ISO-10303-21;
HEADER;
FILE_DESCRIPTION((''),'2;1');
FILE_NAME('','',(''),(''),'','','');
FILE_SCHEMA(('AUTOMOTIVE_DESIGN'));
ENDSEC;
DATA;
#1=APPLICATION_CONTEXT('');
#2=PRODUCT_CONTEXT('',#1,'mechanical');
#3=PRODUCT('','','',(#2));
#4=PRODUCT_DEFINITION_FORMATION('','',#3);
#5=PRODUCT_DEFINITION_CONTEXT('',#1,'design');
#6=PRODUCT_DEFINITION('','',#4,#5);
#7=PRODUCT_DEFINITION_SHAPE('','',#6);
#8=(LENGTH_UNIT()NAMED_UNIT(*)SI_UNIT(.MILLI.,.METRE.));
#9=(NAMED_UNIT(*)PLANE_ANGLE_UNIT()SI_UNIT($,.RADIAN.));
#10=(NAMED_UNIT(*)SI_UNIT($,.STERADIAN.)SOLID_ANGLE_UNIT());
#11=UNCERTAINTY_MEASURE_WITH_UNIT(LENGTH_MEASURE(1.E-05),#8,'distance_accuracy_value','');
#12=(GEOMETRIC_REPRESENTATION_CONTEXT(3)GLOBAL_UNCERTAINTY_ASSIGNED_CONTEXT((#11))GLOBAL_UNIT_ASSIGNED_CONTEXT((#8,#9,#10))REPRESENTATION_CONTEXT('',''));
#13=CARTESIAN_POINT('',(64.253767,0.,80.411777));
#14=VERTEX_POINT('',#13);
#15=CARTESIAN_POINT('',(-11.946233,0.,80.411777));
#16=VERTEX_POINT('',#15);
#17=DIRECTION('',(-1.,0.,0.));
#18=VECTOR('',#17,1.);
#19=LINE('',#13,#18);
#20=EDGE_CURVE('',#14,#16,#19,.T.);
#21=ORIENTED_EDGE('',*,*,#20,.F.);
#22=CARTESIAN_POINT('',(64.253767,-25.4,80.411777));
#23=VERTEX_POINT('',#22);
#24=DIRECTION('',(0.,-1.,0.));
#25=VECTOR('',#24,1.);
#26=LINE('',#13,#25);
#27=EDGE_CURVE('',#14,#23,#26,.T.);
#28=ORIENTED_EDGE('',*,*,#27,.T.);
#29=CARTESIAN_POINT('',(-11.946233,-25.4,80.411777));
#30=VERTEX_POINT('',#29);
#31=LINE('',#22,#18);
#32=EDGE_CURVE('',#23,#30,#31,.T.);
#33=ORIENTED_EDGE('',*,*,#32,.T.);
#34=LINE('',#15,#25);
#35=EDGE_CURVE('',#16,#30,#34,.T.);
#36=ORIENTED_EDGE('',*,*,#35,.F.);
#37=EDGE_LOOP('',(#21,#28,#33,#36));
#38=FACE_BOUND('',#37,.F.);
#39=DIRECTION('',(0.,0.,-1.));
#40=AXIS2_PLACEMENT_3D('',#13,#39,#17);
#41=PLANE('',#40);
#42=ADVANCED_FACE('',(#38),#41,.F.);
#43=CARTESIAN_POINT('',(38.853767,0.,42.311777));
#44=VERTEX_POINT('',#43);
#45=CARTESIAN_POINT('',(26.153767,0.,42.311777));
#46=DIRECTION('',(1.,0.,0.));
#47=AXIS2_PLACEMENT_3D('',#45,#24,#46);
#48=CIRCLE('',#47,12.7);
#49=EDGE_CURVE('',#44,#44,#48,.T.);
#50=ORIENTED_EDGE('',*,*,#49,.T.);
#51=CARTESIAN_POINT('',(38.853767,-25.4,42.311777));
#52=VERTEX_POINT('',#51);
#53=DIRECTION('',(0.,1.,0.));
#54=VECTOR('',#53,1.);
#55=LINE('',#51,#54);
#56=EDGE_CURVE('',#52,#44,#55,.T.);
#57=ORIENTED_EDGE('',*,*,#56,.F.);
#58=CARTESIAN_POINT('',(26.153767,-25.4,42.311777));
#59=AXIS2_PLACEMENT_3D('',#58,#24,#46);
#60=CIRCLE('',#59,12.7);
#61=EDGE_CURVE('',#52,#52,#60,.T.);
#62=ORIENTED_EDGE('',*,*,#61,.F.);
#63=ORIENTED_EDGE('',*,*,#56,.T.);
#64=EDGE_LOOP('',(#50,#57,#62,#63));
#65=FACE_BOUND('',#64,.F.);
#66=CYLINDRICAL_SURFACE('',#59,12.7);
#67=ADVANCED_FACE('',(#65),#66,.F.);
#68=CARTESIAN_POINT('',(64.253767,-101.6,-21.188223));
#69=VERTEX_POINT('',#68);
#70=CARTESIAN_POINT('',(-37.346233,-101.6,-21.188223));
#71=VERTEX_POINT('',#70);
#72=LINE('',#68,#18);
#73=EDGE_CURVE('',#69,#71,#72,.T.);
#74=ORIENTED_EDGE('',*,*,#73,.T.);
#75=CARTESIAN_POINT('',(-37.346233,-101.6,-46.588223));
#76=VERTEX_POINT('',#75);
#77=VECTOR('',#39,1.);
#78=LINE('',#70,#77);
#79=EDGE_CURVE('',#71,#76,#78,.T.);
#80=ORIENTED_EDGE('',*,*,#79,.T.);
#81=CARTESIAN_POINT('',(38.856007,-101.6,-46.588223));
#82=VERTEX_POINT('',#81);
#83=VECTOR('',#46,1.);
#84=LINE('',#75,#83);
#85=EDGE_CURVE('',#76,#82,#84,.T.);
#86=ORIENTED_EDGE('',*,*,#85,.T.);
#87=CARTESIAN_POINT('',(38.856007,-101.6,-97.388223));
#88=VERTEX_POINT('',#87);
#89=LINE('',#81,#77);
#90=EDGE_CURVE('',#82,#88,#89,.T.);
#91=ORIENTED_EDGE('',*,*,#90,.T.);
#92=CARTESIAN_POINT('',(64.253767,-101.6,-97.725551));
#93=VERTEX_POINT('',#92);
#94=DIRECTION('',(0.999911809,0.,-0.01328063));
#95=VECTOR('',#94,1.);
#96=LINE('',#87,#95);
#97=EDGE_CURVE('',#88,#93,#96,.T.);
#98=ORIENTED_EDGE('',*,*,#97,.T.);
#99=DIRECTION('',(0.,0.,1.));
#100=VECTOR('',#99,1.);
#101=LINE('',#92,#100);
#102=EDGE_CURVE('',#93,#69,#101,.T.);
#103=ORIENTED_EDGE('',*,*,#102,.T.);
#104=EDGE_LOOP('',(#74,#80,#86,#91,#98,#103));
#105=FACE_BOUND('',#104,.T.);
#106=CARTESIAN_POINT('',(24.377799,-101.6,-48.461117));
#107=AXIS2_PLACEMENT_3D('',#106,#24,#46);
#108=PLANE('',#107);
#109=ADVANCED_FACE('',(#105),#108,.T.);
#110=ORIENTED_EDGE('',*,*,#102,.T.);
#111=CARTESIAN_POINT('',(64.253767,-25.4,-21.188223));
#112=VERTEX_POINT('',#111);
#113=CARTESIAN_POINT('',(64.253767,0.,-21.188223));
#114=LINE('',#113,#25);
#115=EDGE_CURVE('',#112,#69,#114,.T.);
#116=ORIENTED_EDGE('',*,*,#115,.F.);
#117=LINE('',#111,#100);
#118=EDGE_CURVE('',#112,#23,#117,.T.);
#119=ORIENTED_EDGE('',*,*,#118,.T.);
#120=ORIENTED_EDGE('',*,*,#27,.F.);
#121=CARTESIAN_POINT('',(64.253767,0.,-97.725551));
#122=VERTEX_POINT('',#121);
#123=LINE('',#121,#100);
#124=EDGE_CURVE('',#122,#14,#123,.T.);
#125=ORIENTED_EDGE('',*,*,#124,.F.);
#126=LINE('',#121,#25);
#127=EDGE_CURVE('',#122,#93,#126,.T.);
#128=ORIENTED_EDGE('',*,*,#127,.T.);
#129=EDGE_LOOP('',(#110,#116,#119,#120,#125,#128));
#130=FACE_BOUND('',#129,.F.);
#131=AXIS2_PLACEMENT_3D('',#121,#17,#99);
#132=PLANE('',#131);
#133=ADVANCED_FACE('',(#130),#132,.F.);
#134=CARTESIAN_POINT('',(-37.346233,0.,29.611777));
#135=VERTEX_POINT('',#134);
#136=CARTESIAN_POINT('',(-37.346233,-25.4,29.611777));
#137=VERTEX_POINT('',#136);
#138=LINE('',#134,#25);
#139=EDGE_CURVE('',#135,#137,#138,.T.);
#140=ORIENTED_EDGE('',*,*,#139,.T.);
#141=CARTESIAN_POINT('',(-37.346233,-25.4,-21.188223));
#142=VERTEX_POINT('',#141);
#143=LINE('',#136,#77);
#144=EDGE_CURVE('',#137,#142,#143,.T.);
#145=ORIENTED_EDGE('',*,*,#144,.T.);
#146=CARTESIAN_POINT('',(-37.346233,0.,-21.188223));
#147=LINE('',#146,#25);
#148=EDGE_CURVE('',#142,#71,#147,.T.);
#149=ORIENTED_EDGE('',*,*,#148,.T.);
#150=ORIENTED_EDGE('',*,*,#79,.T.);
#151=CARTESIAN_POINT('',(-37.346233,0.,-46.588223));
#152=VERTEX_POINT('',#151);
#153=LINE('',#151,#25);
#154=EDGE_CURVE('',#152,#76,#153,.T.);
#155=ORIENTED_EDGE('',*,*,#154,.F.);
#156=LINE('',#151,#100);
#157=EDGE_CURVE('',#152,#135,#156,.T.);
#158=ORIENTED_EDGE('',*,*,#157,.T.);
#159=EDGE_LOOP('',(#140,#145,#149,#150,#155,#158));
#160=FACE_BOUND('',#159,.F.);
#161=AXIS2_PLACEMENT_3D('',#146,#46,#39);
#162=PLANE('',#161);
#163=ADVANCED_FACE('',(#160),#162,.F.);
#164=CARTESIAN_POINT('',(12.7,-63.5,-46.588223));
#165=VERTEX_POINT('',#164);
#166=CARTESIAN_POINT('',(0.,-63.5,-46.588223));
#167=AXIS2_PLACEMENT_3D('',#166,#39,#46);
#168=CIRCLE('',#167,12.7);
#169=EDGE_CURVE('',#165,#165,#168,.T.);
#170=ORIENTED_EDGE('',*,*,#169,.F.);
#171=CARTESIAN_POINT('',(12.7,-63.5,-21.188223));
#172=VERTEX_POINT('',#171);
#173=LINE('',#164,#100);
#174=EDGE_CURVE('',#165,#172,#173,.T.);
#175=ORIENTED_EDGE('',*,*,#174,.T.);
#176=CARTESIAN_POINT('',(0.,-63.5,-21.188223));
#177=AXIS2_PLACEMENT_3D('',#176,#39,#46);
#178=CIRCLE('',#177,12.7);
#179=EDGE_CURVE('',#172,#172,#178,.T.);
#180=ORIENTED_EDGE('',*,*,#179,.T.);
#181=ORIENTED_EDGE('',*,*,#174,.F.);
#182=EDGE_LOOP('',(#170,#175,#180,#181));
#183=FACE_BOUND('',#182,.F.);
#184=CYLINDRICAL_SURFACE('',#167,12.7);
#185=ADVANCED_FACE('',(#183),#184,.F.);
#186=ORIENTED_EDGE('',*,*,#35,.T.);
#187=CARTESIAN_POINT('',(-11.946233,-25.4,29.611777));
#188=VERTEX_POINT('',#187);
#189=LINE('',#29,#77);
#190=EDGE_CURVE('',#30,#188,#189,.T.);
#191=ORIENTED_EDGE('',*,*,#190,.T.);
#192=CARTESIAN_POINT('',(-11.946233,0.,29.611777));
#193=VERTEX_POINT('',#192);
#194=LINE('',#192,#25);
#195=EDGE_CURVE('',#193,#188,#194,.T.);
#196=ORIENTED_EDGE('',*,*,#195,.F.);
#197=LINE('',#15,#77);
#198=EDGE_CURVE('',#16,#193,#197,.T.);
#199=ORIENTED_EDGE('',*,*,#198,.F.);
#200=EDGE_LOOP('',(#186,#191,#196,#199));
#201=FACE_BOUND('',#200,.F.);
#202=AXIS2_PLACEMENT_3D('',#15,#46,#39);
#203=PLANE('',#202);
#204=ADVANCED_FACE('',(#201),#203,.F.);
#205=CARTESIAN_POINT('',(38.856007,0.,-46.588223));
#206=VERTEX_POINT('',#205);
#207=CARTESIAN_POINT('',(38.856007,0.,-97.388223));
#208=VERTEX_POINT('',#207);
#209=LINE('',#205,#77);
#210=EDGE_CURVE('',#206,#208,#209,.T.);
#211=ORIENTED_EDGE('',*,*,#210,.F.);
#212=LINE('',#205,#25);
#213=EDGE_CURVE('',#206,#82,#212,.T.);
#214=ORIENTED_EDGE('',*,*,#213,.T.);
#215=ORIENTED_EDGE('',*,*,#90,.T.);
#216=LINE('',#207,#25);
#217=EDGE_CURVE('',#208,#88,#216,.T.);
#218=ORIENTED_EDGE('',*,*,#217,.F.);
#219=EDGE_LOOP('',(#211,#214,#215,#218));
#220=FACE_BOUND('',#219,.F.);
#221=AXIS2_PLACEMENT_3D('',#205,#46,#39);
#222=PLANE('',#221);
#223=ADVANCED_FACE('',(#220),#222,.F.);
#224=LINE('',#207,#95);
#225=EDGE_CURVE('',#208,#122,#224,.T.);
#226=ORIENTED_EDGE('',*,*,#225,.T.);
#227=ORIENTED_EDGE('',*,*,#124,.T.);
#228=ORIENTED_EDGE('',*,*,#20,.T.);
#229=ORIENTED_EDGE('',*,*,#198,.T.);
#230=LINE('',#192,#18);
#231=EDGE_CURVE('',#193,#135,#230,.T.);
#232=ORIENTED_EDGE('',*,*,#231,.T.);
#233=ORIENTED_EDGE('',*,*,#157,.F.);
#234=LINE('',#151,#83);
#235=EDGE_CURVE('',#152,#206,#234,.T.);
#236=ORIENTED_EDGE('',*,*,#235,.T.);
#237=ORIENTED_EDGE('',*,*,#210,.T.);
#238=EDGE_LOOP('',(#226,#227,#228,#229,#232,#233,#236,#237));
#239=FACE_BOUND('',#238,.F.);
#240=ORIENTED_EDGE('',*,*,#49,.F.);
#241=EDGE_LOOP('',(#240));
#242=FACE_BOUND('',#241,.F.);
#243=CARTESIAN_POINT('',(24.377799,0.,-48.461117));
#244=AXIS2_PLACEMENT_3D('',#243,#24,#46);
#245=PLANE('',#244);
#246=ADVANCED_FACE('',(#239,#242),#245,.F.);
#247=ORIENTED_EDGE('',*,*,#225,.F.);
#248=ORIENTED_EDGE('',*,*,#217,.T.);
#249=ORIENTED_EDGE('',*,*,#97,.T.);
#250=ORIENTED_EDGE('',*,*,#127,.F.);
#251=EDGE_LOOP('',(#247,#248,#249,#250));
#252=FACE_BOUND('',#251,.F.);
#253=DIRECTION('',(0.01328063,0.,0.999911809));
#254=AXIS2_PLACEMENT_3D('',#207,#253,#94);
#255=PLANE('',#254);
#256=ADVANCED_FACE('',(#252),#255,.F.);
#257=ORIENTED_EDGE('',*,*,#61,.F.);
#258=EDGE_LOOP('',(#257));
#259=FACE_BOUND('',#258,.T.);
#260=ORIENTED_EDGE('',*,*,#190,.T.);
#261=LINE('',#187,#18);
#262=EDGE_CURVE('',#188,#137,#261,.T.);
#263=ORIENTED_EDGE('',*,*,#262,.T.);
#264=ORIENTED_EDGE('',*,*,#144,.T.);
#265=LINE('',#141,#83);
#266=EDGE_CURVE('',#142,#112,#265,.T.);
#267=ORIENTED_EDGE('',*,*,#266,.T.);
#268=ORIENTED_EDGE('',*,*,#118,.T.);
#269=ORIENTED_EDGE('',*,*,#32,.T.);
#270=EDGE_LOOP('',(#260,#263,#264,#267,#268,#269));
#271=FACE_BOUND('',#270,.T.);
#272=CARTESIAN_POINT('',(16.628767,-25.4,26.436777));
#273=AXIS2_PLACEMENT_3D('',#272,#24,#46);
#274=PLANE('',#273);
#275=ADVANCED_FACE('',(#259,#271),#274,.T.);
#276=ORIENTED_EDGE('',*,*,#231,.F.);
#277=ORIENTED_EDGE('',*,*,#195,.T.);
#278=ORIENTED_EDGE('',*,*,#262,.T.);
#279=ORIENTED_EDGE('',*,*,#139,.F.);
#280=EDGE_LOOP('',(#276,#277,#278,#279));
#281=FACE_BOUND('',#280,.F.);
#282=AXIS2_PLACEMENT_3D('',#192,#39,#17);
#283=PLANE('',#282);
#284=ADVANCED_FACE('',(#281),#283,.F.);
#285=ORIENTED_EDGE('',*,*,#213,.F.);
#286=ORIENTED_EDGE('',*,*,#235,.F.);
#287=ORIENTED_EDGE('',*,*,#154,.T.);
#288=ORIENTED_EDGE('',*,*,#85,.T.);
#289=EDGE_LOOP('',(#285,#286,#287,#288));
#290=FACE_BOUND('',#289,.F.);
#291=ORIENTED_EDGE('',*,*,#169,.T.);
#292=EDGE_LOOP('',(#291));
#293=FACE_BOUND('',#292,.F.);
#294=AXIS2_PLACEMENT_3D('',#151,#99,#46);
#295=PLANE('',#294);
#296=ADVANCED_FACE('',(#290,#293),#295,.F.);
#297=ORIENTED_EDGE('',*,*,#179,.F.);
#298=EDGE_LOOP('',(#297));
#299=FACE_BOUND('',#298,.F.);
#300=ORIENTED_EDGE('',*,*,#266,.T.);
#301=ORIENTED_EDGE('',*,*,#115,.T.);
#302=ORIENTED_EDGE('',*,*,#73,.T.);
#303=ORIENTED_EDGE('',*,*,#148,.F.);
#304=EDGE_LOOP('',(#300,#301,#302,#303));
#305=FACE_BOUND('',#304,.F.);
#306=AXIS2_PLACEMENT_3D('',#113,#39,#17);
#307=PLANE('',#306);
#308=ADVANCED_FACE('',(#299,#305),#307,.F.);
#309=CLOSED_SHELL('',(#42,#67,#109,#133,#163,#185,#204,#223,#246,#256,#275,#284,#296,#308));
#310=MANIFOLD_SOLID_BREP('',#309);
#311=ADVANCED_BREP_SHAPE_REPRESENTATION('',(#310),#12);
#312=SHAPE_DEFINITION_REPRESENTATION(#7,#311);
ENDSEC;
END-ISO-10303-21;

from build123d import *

# Parameters (mm, degrees)
F1_DEPTH = 25.4
F2_DEPTH = 101.6
F3_R     = 12.7
F4_DEPTH = 25.4
F5_R     = 12.7
F6_DEPTH = 25.4


with BuildPart() as f1:
    # F0 (on Front) → F1 (new body)
    with BuildSketch(Plane.XZ):
        Polygon((64.253767, 80.411777), (-11.946233, 80.411777), (-11.946233, 29.611777), (-37.346233, 29.611777), (-37.346233, -21.188223), (64.253767, -21.188223), align=None)
    extrude(amount=F1_DEPTH)

    # F0 (on Front) → F2 (join)
    with BuildSketch(Plane.XZ):
        Polygon((64.253767, -97.725551), (64.253767, -21.188223), (-37.346233, -21.188223), (-37.346233, -46.588223), (38.856007, -46.588223), (38.856007, -97.388223), align=None)
    extrude(amount=F2_DEPTH)

    # F3 (on face) → F4 (cut)
    with BuildSketch(Plane.XZ.offset(25.4)):
        with Locations((26.153767, 42.311777)):
            Circle(F3_R)
    extrude(amount=-F4_DEPTH, mode=Mode.SUBTRACT)

    # F5 (on face) → F6 (cut)
    with BuildSketch(Plane(origin=(0, 0, -46.588223), x_dir=(1, 0, 0), z_dir=(0, 0, -1))):
        with Locations((0, 63.5)):
            Circle(F5_R)
    extrude(amount=-F6_DEPTH, mode=Mode.SUBTRACT)


solid = f1.part
